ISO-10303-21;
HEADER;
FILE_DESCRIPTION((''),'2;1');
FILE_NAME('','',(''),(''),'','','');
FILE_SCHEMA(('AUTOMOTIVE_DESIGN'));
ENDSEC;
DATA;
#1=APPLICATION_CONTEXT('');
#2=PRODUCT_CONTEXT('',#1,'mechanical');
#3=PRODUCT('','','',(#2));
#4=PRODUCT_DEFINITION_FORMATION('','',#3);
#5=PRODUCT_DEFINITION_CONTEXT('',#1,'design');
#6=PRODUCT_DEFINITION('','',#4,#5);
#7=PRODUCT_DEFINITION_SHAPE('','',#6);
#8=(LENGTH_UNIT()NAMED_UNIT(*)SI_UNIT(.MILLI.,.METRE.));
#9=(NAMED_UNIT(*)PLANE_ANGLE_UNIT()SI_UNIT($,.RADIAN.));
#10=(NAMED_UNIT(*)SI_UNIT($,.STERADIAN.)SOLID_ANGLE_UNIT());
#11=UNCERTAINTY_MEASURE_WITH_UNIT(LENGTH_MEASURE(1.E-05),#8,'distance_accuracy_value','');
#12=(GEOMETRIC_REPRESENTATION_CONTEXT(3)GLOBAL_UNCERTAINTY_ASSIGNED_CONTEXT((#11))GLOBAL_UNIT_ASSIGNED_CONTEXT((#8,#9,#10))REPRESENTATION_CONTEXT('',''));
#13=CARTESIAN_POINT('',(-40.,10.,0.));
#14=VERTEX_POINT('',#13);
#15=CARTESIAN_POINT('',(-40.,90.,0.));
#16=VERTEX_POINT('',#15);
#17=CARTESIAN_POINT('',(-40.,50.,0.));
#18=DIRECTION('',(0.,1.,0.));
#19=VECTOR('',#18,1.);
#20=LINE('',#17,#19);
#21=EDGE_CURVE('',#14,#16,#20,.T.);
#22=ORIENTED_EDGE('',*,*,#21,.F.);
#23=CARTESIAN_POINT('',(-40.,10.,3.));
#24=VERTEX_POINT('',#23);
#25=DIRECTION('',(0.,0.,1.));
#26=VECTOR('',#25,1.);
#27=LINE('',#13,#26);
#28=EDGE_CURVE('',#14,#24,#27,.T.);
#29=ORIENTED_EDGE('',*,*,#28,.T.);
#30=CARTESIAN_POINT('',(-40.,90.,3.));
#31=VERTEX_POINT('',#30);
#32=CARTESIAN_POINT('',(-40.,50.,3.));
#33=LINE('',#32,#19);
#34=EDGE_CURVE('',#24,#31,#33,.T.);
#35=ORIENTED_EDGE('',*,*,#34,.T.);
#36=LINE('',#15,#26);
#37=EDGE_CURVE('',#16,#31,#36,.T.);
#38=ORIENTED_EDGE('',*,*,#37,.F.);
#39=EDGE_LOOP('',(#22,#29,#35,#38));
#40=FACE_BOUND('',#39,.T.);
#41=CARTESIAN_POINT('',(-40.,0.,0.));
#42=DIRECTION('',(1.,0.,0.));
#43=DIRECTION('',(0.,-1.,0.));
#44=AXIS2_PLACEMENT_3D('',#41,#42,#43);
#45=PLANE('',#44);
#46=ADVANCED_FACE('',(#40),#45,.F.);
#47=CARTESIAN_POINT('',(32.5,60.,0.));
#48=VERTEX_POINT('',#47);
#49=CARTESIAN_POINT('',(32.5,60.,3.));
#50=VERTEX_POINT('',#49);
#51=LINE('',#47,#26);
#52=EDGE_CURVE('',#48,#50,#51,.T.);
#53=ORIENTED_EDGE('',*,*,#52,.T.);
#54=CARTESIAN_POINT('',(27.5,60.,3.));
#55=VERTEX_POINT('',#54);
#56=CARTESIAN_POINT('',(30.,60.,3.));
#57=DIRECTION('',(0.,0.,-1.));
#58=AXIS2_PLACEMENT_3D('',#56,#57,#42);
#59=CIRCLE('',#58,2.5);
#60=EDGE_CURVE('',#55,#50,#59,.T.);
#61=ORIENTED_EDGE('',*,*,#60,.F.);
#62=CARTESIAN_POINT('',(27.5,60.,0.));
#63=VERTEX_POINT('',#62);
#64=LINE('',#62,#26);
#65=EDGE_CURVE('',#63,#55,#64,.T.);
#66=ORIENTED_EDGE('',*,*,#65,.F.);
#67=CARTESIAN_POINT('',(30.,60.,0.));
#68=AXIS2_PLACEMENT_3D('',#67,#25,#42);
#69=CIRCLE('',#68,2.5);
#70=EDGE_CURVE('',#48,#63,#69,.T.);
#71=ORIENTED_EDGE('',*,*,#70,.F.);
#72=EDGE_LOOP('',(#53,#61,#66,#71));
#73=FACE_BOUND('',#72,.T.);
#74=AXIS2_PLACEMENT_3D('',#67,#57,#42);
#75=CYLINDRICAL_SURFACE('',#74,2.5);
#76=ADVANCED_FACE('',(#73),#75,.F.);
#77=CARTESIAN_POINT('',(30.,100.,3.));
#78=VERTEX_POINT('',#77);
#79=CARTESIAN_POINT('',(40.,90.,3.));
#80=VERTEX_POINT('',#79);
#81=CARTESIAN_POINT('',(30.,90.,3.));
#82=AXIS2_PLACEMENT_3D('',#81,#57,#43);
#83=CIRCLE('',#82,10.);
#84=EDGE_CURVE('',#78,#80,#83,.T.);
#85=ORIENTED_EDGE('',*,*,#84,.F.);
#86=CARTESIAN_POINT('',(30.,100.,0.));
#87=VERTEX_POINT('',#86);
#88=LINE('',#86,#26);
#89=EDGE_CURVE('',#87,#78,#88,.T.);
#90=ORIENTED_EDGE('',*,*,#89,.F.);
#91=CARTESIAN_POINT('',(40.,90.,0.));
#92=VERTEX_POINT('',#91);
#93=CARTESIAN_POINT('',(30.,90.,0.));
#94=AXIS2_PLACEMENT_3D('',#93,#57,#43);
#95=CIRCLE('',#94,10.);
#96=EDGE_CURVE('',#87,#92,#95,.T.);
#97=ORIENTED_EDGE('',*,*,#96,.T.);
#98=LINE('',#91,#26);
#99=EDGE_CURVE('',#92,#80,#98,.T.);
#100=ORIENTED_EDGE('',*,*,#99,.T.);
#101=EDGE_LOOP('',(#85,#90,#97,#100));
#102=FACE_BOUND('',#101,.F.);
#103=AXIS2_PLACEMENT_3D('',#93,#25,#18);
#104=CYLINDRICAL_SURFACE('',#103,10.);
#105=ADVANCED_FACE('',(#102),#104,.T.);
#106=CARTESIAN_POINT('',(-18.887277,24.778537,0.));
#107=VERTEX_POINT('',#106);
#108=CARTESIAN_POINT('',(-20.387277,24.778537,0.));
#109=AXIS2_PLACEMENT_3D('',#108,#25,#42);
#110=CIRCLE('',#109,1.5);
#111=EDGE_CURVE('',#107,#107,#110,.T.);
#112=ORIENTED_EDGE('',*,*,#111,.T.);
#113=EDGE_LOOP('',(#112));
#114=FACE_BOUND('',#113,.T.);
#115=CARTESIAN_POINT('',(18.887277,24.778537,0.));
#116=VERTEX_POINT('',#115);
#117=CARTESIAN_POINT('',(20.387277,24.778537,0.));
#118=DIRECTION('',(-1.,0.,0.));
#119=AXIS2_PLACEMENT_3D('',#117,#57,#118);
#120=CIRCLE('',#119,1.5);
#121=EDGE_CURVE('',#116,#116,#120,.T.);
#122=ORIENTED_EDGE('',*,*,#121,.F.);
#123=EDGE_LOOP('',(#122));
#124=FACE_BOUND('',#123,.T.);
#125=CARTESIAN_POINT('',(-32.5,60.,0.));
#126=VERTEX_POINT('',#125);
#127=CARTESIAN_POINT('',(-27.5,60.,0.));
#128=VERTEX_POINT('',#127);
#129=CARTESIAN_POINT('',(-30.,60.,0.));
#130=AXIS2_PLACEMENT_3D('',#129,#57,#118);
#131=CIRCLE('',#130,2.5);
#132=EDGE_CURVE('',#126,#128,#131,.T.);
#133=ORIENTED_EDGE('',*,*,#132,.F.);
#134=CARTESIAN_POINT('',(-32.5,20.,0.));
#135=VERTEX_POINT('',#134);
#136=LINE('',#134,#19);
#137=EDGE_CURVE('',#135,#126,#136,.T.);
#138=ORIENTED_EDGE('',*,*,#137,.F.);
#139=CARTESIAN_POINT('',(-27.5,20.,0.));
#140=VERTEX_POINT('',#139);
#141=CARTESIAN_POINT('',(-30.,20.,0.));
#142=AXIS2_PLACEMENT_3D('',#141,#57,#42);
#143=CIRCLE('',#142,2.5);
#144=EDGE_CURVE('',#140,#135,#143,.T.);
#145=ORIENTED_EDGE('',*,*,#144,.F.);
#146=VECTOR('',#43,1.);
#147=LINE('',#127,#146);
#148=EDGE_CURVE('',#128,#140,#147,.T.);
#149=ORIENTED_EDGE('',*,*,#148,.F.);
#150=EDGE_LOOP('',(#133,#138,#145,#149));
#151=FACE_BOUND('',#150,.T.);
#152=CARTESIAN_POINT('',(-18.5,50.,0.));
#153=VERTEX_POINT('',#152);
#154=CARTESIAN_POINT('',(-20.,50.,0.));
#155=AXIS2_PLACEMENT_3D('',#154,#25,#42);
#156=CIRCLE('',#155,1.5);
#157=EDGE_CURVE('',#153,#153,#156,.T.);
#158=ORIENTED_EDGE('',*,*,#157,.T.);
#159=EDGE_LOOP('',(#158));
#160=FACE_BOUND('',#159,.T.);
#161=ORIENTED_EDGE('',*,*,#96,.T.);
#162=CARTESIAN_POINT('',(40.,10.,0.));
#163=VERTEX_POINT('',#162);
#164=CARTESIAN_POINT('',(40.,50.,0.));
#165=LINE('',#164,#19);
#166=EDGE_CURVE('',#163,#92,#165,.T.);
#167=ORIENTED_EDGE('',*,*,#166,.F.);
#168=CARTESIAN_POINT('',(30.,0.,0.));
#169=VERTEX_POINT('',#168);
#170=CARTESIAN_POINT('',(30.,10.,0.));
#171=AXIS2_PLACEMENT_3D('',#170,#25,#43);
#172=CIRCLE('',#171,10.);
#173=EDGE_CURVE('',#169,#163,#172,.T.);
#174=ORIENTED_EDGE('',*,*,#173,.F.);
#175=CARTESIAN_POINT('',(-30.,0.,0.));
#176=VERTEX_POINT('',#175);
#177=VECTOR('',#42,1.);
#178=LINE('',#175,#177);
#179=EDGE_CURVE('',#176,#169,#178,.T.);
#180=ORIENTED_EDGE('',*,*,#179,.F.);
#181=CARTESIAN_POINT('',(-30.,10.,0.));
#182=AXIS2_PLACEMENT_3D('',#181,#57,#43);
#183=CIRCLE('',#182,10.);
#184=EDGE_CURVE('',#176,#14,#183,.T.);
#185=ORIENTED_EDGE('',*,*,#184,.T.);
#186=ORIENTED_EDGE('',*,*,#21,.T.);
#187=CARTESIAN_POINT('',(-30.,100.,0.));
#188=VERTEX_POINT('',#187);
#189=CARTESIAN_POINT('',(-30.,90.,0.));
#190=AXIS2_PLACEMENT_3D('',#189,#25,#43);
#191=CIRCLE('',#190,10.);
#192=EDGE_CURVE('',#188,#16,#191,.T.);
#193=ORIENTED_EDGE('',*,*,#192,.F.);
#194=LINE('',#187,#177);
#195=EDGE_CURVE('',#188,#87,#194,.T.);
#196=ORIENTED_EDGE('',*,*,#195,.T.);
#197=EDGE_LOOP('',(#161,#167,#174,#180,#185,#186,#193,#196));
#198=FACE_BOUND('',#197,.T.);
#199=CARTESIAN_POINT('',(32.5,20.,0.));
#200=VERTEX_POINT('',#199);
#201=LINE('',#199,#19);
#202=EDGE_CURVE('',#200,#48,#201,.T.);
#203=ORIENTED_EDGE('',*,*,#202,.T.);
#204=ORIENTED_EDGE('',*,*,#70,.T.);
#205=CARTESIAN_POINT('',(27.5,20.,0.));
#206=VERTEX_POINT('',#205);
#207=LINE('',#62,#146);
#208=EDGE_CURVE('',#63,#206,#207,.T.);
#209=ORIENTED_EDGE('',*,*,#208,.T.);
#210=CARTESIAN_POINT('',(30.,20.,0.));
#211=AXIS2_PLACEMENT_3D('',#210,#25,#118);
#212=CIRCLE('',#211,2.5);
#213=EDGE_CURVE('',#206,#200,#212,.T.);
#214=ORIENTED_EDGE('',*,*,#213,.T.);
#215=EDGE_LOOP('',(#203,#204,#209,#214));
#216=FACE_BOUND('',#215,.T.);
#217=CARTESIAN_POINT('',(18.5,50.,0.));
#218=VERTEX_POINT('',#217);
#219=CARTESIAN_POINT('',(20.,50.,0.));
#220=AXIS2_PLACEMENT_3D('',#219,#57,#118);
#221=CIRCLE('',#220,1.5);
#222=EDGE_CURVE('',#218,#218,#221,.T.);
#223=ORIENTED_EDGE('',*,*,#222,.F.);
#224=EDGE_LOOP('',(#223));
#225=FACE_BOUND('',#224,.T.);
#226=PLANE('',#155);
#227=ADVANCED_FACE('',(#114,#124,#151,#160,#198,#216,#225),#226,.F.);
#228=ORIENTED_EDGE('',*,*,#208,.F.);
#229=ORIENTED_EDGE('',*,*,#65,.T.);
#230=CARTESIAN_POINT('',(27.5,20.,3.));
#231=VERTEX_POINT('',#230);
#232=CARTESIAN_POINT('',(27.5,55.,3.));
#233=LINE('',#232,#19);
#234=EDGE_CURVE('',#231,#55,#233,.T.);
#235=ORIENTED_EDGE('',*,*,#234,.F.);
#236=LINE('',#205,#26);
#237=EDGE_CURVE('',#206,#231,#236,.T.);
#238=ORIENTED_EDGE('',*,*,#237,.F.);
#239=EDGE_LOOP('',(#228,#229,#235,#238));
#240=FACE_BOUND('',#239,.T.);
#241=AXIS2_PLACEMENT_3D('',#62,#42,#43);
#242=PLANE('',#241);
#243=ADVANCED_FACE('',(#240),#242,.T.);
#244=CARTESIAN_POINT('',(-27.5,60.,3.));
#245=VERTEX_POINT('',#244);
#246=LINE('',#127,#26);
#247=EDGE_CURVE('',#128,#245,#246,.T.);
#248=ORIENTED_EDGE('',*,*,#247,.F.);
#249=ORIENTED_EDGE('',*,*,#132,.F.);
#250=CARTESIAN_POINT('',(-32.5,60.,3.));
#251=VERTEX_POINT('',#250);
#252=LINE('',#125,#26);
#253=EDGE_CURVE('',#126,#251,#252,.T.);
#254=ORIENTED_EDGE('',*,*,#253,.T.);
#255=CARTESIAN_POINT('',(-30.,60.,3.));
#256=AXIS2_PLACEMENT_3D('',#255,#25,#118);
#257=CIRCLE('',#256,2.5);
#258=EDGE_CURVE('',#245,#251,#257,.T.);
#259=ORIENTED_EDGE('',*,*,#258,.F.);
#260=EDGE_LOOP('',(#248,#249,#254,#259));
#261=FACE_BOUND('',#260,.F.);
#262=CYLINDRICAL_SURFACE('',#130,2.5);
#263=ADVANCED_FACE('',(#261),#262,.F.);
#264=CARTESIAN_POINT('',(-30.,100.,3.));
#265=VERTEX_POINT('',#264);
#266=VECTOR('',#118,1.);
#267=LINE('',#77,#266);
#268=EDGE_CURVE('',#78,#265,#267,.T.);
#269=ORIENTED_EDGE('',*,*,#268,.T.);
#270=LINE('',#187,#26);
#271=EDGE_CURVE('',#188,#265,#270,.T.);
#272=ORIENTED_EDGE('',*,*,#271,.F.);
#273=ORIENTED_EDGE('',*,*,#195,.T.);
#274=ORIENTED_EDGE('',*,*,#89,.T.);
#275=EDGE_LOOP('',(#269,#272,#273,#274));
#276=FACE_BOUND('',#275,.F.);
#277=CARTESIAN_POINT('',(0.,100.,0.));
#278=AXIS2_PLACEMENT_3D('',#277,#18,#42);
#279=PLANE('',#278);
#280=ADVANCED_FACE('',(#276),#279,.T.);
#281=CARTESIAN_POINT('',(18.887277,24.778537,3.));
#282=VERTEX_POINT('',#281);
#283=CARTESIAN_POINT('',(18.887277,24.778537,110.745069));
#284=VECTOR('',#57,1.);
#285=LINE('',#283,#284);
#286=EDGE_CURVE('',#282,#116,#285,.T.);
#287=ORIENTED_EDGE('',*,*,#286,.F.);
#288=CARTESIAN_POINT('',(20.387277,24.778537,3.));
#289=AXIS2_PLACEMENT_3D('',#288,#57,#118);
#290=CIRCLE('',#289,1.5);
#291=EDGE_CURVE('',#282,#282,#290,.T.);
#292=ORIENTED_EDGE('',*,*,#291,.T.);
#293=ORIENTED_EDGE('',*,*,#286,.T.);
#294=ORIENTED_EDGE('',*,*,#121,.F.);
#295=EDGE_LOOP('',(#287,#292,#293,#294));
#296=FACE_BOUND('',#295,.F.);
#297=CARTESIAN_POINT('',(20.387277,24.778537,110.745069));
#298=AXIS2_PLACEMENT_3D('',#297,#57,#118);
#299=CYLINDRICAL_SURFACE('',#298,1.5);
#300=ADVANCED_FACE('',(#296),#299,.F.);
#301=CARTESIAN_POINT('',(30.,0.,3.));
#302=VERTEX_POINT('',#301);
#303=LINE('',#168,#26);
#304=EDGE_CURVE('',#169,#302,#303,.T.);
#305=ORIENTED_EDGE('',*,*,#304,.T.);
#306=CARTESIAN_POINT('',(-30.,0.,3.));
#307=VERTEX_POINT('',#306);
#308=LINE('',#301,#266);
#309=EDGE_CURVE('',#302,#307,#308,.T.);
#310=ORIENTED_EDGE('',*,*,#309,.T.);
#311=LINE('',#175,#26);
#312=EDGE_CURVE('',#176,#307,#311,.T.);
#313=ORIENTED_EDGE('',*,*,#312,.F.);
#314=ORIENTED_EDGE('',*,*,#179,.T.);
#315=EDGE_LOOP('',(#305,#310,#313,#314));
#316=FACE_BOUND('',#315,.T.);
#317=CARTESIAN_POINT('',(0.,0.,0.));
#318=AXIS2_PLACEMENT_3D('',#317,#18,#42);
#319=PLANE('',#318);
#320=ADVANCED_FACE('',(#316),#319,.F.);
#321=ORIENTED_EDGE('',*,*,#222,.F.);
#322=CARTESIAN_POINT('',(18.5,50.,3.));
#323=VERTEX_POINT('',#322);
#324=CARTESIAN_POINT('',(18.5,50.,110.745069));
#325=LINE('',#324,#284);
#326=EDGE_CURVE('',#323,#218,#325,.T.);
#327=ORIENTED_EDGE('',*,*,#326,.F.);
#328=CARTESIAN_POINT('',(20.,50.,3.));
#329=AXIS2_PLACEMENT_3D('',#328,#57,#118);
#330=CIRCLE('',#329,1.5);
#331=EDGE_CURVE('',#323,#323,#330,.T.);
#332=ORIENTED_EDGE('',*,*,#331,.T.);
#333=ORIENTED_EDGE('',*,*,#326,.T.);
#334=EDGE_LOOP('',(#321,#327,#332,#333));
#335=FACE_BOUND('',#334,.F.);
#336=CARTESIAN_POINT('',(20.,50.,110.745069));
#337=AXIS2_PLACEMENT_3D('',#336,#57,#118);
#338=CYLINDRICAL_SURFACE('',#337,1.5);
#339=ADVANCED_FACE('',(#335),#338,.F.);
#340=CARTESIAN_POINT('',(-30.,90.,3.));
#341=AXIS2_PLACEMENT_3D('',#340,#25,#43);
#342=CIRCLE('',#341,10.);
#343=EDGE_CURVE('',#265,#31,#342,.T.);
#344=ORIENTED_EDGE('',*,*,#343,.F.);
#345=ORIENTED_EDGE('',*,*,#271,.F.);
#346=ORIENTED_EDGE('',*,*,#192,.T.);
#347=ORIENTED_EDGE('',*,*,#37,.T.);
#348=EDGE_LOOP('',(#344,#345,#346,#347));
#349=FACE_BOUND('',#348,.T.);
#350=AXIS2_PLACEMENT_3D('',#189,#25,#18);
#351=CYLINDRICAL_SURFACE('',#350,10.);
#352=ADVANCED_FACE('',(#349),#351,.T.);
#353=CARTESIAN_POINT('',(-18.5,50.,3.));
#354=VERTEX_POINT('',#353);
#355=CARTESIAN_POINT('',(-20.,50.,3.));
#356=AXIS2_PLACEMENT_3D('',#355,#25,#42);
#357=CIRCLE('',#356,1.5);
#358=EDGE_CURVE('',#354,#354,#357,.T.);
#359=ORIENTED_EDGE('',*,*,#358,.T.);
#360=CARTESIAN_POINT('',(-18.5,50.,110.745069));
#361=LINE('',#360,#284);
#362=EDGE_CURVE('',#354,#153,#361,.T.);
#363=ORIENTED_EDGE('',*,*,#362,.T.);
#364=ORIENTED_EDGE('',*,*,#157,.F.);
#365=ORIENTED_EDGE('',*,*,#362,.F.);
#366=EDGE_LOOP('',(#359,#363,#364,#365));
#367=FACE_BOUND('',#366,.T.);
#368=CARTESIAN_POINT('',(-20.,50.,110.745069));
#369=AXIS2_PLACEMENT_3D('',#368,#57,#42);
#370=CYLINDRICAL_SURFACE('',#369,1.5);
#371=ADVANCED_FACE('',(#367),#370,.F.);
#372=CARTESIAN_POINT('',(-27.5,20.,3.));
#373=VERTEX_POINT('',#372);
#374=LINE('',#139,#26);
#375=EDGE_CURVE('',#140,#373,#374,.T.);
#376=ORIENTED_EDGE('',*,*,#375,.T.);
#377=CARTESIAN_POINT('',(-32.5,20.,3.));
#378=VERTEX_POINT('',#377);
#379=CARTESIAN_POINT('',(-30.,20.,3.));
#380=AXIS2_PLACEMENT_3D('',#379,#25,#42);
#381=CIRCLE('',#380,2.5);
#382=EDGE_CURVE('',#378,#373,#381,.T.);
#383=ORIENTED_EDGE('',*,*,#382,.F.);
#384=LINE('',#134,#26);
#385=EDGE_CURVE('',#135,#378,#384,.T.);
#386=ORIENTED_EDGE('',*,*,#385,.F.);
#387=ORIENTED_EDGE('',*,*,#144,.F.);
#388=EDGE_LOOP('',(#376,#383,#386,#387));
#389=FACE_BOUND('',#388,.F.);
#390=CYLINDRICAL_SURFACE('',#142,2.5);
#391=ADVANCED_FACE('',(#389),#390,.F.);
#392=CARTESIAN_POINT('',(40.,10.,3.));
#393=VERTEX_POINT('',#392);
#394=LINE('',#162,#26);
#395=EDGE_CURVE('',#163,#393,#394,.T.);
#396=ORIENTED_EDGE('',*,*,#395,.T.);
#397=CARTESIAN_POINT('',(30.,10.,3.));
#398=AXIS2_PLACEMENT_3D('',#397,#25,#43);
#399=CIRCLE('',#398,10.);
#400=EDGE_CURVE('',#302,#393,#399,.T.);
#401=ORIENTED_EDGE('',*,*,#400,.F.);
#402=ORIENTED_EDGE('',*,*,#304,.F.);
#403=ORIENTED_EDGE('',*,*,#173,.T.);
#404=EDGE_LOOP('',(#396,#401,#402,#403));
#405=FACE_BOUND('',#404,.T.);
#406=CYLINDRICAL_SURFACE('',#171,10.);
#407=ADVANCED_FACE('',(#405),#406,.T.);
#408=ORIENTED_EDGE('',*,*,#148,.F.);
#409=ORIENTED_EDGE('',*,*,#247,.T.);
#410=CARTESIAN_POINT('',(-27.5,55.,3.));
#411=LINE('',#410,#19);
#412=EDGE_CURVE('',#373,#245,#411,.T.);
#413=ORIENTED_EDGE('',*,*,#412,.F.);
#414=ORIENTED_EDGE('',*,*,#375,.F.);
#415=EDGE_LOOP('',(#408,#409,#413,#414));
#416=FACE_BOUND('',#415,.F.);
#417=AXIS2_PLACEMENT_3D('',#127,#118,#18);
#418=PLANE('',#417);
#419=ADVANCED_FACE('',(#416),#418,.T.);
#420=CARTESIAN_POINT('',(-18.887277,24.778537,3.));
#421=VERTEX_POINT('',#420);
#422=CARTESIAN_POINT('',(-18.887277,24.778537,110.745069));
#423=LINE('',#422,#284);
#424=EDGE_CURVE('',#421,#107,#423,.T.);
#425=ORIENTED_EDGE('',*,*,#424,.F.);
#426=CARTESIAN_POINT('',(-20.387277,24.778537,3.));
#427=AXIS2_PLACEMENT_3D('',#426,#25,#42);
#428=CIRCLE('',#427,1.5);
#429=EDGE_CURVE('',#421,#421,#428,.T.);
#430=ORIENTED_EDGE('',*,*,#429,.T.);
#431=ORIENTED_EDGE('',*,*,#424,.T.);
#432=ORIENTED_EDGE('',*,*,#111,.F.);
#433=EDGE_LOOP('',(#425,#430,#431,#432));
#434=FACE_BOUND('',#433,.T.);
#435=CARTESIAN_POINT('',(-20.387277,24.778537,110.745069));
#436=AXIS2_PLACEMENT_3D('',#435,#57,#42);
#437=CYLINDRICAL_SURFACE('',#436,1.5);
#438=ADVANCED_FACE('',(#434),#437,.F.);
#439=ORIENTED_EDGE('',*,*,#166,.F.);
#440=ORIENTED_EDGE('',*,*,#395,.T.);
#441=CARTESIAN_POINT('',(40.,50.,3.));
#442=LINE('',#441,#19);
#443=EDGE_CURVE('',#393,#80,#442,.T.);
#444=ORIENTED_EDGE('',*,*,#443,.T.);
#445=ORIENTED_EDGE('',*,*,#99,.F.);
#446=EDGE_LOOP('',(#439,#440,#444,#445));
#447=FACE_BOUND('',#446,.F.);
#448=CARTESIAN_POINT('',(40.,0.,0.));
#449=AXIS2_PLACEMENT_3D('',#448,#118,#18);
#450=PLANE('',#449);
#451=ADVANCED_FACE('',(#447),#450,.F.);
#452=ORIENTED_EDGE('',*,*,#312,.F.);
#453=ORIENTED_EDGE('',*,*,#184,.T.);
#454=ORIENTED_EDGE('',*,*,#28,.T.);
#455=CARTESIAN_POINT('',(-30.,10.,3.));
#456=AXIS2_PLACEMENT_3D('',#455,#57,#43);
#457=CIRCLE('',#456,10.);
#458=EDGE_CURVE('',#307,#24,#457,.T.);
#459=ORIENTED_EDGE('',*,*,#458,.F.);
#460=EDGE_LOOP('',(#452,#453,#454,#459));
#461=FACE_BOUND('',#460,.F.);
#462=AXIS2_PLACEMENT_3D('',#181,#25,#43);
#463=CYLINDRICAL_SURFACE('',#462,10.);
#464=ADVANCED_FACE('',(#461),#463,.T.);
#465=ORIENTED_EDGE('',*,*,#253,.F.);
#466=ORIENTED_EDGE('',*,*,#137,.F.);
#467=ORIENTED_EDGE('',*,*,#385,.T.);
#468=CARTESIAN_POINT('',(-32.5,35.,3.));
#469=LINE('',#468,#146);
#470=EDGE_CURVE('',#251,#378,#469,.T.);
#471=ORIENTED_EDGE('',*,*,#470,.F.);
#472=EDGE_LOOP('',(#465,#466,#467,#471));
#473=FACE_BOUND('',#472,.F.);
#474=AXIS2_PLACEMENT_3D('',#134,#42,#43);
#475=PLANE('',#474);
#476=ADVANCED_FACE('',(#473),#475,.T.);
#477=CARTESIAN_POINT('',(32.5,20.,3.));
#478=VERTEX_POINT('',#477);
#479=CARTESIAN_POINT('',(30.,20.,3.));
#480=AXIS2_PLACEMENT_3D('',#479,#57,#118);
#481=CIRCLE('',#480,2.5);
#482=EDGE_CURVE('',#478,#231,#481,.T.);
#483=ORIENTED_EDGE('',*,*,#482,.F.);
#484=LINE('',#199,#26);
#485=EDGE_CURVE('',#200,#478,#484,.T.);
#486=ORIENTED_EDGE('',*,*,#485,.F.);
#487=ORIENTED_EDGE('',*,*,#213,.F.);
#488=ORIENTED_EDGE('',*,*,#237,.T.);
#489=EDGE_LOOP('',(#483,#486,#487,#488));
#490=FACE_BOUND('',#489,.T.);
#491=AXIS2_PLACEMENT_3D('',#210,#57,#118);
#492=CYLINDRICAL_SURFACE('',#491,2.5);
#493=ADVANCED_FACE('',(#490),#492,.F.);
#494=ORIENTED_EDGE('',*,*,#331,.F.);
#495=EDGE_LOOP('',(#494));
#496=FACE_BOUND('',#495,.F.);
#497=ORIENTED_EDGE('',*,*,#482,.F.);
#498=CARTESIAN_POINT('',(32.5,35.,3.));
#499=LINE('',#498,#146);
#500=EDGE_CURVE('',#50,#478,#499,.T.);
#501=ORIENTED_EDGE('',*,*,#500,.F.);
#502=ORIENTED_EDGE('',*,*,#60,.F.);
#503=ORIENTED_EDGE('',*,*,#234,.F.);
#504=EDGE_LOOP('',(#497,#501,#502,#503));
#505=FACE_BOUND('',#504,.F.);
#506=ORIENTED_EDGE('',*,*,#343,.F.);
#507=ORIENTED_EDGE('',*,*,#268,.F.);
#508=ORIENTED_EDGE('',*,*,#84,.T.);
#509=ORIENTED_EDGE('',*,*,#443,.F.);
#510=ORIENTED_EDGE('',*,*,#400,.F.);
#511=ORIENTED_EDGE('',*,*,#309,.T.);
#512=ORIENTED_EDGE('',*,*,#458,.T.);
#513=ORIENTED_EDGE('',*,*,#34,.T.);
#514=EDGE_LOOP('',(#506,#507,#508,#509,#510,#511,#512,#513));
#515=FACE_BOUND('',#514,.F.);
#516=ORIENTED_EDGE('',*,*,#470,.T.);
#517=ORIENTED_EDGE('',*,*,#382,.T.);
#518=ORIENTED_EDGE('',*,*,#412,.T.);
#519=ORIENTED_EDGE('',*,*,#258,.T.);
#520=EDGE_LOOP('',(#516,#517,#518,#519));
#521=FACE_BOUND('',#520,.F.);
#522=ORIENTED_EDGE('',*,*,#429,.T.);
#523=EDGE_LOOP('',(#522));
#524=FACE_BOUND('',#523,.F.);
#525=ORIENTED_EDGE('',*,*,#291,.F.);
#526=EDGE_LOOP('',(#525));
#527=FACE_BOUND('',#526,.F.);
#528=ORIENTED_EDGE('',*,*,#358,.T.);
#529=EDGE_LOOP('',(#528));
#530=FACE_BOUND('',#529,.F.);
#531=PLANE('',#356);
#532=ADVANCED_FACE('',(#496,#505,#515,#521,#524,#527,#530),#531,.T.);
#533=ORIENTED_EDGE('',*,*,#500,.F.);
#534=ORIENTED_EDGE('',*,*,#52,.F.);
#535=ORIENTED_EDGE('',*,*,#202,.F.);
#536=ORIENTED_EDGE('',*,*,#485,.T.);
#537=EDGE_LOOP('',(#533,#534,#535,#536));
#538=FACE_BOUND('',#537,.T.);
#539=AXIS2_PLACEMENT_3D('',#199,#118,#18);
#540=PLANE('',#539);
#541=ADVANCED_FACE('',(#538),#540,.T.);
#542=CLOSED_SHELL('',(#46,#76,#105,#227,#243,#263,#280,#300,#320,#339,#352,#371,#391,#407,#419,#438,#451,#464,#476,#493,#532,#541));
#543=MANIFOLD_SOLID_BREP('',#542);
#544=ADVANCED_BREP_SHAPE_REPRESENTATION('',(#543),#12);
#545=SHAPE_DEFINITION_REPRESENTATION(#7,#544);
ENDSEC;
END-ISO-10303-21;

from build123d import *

# Parameters (mm, degrees)
F0_W     = 40
F0_H     = 100
F1_DEPTH = 3
F4_D     = 3
F6_DEPTH = 35.188589
F7_DEPTH = 100.799933
F8_R     = 10


with BuildPart() as f1:
    # F0 (on Top) → F1 (new body)
    with BuildSketch(Plane.XY):
        with Locations((20, 50)):
            Rectangle(F0_W, F0_H)
    extrude(amount=F1_DEPTH)

    # F4 (through all)
    with Locations(Plane.XY.offset(3)):
        with Locations((20, 50), (20.387277, 24.778537)):
            Hole(F4_D / 2)

    # F5 (on Top) → F6 (cut)
    with BuildSketch(Plane.XY):
        with BuildLine():
            ThreePointArc((27.5, 20), (30, 17.5), (32.5, 20))
            Line((32.5, 20), (32.5, 60))
            ThreePointArc((32.5, 60), (30, 62.5), (27.5, 60))
            Line((27.5, 60), (27.5, 20))
        make_face()
    extrude(amount=-F6_DEPTH, mode=Mode.SUBTRACT)

    # F5 (on Top) → F7 (cut)
    with BuildSketch(Plane.XY):
        with BuildLine():
            ThreePointArc((27.5, 20), (30, 17.5), (32.5, 20))
            Line((32.5, 20), (32.5, 60))
            ThreePointArc((32.5, 60), (30, 62.5), (27.5, 60))
            Line((27.5, 60), (27.5, 20))
        make_face()
    extrude(amount=F7_DEPTH, mode=Mode.SUBTRACT)

    # F8
    f8_edges = [f1.edges().sort_by_distance(p)[0] for p in [
        (40, 100, 1.5),
        (40, 0, 1.5),
    ]]
    fillet(f8_edges, radius=F8_R)

    # F9: F1 across plane


with BuildPart() as f1_1:
    add(f1.part)
    add(f1.part.mirror(Plane.YZ))


solid = f1_1.part
